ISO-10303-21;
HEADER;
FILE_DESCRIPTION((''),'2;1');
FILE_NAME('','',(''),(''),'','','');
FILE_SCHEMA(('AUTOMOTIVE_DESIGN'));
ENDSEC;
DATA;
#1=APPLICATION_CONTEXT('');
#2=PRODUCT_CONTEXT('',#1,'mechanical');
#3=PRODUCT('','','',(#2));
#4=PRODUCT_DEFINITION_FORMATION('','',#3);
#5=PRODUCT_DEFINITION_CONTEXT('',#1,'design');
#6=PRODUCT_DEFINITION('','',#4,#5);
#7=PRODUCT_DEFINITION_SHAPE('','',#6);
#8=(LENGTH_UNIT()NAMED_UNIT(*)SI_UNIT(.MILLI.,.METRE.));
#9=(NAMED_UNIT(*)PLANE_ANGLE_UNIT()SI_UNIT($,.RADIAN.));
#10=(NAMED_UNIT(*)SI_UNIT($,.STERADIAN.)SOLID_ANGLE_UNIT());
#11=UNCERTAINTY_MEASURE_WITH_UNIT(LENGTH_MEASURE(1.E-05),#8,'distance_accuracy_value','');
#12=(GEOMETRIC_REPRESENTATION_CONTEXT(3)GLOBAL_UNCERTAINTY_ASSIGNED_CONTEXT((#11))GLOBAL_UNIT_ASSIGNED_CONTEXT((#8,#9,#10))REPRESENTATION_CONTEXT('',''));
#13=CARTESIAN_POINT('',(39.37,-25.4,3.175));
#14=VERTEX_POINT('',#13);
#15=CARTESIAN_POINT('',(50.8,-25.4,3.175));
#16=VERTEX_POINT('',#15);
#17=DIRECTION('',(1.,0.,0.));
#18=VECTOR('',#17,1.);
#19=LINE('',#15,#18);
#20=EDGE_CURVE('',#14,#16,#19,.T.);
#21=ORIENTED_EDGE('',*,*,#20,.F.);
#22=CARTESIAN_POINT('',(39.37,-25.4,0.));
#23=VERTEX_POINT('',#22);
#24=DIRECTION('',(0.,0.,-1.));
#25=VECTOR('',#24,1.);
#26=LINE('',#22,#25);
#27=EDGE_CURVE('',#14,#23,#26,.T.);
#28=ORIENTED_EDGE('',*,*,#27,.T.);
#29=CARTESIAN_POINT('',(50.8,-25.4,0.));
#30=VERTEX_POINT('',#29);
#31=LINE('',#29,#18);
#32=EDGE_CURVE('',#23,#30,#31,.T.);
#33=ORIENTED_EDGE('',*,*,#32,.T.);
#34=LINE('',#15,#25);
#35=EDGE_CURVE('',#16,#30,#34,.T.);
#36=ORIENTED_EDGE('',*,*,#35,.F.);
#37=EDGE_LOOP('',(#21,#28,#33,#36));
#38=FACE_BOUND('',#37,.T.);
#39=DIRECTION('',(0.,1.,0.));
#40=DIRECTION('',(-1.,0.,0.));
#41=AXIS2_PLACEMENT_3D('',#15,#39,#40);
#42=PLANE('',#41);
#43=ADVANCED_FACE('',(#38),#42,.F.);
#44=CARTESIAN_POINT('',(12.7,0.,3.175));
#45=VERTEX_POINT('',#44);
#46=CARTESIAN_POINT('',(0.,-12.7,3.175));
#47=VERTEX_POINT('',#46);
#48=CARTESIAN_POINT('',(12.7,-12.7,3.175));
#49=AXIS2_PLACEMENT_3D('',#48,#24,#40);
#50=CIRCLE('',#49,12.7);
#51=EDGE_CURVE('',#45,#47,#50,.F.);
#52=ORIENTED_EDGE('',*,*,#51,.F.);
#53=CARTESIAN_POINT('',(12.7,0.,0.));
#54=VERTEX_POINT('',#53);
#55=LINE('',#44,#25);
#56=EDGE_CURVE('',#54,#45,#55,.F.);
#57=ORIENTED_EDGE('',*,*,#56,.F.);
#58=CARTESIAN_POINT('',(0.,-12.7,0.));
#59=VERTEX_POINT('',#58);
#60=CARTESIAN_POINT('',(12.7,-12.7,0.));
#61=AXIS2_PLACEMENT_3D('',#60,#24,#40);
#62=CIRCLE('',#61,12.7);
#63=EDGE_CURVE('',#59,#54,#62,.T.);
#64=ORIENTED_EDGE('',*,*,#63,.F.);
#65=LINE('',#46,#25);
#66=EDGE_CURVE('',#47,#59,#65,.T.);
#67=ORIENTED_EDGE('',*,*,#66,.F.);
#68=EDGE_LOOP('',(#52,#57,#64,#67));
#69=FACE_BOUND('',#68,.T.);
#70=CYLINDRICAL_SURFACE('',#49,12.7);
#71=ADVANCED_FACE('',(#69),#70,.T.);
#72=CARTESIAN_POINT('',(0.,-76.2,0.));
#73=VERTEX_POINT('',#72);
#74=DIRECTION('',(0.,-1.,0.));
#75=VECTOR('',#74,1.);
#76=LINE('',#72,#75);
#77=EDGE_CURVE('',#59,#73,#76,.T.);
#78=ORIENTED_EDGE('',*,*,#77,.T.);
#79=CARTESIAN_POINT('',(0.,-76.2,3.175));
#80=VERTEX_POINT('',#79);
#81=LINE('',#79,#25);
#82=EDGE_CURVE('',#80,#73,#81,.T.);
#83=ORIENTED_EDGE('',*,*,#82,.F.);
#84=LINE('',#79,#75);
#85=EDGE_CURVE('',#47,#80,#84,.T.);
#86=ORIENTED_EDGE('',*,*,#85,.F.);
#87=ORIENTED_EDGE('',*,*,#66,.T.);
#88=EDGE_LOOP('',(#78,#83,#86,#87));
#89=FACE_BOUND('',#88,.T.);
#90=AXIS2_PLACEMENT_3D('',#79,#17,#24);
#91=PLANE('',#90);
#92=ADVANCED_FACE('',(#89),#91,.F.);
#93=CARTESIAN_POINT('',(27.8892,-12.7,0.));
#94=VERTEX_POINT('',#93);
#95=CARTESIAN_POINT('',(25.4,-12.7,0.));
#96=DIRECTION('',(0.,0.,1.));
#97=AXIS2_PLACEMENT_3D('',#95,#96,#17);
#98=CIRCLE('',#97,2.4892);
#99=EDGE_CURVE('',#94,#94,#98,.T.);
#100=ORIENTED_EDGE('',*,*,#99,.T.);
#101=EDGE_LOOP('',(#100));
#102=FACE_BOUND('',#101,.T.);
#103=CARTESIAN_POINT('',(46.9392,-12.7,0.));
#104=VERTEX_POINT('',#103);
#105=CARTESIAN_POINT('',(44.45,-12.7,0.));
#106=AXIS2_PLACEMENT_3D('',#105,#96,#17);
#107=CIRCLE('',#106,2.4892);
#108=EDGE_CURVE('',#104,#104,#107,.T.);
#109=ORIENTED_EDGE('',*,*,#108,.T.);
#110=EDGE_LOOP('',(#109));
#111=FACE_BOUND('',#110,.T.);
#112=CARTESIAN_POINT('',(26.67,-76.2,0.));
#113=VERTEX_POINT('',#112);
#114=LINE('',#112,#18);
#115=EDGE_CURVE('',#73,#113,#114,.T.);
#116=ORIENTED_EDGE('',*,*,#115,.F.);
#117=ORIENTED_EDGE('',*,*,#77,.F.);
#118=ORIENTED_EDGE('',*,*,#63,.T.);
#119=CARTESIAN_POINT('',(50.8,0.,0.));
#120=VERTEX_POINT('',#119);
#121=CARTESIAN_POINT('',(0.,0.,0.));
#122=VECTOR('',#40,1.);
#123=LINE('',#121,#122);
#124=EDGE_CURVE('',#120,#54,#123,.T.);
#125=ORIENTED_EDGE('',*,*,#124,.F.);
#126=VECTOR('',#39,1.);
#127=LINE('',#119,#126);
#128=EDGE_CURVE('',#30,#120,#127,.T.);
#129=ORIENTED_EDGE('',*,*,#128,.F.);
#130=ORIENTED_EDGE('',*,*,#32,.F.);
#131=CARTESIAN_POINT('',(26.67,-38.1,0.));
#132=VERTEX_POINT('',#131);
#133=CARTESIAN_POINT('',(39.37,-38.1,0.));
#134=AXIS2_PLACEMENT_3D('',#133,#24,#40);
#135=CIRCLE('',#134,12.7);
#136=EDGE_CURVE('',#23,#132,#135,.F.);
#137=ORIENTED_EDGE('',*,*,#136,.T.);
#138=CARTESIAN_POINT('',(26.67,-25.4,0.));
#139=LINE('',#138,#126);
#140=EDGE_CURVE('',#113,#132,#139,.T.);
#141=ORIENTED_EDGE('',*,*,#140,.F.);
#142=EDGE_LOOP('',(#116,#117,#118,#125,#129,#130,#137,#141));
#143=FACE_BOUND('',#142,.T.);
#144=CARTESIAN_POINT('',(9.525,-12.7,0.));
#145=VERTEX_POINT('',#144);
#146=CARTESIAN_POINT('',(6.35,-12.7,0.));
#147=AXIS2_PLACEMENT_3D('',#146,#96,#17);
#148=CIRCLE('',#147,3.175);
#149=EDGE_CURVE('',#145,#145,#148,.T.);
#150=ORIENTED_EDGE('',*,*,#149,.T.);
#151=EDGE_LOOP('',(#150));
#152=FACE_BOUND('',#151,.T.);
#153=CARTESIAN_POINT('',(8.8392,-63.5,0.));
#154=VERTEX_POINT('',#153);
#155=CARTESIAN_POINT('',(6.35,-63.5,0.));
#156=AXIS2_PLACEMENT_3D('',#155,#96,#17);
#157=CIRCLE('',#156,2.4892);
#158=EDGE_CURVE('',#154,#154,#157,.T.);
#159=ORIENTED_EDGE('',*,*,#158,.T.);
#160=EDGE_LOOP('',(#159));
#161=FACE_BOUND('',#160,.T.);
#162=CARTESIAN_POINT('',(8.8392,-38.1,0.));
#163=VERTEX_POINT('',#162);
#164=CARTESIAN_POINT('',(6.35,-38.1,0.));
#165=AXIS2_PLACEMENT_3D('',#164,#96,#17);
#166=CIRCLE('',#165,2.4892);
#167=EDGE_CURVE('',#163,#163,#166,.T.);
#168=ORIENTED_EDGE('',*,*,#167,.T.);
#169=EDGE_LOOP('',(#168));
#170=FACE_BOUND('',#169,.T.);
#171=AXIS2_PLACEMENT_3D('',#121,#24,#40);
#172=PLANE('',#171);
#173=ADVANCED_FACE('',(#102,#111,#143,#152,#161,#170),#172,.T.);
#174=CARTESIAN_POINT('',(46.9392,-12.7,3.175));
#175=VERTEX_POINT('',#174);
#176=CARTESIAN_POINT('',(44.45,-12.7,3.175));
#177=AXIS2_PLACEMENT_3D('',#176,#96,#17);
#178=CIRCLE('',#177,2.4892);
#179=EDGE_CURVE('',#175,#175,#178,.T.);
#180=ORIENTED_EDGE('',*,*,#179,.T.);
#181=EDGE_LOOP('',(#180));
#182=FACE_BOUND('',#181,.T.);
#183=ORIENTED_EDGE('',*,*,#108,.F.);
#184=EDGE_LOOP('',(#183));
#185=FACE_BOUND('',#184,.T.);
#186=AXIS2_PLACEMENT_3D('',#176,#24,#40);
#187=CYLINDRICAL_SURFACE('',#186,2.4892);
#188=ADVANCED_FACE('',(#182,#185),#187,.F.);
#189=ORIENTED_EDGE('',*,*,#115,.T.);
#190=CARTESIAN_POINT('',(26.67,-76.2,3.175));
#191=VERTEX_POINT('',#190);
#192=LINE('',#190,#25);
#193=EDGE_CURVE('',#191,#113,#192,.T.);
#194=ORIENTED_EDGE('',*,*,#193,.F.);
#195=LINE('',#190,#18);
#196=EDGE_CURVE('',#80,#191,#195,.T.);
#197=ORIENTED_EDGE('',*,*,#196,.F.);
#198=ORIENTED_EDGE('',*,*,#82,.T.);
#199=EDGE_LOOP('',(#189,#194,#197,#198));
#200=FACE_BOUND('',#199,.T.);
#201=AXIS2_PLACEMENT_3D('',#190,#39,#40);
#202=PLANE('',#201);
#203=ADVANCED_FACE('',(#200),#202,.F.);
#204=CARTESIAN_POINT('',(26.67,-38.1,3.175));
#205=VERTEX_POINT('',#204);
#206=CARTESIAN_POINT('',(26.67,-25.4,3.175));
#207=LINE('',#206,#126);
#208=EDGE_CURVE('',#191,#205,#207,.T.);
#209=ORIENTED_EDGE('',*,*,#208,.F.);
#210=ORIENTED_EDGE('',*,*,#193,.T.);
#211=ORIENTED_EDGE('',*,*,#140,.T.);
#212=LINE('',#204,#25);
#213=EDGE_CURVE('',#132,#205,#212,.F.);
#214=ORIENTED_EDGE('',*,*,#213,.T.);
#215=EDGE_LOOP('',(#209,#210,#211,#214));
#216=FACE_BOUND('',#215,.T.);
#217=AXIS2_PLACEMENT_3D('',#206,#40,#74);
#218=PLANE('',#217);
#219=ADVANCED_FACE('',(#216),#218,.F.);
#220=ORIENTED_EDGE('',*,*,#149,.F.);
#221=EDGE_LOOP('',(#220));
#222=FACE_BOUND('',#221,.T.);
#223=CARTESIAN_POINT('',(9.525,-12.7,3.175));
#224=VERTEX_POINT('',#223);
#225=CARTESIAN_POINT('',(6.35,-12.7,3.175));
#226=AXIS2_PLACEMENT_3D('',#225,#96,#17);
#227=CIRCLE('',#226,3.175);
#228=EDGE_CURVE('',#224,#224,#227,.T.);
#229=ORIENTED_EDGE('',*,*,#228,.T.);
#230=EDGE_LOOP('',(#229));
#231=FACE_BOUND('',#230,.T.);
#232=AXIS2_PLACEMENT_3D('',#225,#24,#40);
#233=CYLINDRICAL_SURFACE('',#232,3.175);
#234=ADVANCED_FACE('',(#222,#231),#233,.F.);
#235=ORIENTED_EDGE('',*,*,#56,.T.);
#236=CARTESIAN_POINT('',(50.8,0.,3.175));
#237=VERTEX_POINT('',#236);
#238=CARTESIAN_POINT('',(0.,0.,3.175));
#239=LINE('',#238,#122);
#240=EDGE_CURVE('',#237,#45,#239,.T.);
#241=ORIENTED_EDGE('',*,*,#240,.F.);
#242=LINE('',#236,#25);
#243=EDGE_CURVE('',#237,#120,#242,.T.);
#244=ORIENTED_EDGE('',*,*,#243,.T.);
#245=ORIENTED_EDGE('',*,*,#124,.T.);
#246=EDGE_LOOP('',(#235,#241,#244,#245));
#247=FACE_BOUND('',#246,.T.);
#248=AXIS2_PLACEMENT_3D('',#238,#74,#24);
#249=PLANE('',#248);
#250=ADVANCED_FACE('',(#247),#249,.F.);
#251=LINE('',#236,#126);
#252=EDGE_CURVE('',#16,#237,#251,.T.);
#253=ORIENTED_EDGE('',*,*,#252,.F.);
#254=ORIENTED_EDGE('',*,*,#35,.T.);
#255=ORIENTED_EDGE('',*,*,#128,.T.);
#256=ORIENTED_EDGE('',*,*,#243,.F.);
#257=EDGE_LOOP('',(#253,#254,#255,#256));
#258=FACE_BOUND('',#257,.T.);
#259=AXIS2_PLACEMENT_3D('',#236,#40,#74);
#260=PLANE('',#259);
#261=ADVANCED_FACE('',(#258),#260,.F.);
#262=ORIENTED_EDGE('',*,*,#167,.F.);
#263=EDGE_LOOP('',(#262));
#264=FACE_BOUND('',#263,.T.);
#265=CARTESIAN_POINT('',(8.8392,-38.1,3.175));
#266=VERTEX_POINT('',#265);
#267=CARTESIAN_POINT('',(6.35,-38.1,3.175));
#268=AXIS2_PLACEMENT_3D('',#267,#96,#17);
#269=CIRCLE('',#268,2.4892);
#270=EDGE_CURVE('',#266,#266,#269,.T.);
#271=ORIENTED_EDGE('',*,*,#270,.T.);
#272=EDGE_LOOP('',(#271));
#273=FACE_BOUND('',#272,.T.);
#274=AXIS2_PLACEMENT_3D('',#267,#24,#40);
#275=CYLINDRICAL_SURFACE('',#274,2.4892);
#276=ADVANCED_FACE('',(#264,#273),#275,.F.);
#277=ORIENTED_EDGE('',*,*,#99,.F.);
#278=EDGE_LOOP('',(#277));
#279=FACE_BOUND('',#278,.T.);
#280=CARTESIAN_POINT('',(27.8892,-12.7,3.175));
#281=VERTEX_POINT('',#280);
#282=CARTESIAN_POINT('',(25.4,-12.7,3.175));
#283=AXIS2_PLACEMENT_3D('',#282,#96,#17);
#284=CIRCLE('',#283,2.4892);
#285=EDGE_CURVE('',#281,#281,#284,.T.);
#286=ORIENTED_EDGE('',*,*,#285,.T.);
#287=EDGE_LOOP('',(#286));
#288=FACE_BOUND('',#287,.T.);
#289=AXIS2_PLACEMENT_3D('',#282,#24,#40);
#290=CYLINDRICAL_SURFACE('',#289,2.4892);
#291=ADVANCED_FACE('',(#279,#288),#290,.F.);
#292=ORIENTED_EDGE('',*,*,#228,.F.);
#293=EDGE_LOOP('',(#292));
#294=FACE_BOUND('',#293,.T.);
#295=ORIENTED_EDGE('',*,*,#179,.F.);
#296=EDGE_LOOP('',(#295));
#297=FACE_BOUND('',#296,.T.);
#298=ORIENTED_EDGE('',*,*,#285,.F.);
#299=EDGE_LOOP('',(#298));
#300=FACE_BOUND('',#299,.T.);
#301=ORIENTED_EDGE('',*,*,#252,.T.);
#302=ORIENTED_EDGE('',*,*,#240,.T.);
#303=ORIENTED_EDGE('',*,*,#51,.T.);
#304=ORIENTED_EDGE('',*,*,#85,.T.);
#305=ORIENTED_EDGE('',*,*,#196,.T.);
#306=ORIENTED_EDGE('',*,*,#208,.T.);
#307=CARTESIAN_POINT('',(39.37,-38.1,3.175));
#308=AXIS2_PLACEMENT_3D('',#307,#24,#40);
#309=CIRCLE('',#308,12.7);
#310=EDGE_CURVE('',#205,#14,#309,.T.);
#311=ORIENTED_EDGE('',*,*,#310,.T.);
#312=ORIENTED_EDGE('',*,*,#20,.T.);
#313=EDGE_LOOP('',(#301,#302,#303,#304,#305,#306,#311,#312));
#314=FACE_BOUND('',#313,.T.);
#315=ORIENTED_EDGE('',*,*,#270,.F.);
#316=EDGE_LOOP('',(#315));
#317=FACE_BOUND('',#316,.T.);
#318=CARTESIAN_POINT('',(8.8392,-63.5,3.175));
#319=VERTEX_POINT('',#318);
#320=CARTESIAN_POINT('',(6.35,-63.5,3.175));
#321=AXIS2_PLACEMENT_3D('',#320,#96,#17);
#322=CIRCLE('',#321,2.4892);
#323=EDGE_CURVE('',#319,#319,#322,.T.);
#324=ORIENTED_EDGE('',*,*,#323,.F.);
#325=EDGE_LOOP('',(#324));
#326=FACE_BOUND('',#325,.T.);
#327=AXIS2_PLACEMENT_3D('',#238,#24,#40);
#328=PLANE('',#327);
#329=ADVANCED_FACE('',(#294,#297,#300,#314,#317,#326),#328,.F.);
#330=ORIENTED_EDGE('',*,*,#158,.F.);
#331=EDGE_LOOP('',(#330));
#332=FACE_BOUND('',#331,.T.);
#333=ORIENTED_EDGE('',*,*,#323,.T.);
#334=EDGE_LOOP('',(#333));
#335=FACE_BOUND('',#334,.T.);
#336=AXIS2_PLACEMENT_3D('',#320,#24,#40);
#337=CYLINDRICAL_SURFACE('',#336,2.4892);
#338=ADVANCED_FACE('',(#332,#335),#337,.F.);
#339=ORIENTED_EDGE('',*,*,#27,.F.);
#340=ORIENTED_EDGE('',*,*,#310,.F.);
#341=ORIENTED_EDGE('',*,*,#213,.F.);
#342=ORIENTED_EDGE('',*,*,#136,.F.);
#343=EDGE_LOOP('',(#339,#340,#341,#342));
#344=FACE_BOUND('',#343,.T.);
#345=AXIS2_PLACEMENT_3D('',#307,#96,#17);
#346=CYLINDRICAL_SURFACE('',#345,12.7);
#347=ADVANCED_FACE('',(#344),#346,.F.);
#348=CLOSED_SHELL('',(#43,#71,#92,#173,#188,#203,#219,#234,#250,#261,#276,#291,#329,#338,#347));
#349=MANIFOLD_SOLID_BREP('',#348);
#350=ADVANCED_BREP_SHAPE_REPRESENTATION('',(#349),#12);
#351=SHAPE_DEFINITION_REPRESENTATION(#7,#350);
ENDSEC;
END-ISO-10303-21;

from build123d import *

# Parameters (mm, degrees)
SKETCH1_R           = 2.4892
SKETCH1_R_2         = 3.175
BOSS_EXTRUDE1_DEPTH = 3.175
FILLET1_R           = 12.7


with BuildPart() as part:
    # Sketch1 → Boss-Extrude1 (new body)
    with BuildSketch(Plane.XY):
        Polygon((0, 0), (50.8, 0), (50.8, -25.4), (26.67, -25.4), (26.67, -76.2), (0, -76.2), align=None)
        with Locations((44.45, -12.7)):
            Circle(SKETCH1_R, mode=Mode.SUBTRACT)
        with Locations((25.4, -12.7)):
            Circle(SKETCH1_R, mode=Mode.SUBTRACT)
        with Locations((6.35, -12.7)):
            Circle(SKETCH1_R_2, mode=Mode.SUBTRACT)
        with Locations((6.35, -38.1)):
            Circle(SKETCH1_R, mode=Mode.SUBTRACT)
        with Locations((6.35, -63.5)):
            Circle(SKETCH1_R, mode=Mode.SUBTRACT)
    extrude(amount=BOSS_EXTRUDE1_DEPTH)

    # Fillet1
    fillet1_edges = [part.edges().sort_by_distance(p)[0] for p in [
        (0, 0, 1.5875),
        (26.67, -25.4, 1.5875),
    ]]
    fillet(fillet1_edges, radius=FILLET1_R)


solid = part.part
